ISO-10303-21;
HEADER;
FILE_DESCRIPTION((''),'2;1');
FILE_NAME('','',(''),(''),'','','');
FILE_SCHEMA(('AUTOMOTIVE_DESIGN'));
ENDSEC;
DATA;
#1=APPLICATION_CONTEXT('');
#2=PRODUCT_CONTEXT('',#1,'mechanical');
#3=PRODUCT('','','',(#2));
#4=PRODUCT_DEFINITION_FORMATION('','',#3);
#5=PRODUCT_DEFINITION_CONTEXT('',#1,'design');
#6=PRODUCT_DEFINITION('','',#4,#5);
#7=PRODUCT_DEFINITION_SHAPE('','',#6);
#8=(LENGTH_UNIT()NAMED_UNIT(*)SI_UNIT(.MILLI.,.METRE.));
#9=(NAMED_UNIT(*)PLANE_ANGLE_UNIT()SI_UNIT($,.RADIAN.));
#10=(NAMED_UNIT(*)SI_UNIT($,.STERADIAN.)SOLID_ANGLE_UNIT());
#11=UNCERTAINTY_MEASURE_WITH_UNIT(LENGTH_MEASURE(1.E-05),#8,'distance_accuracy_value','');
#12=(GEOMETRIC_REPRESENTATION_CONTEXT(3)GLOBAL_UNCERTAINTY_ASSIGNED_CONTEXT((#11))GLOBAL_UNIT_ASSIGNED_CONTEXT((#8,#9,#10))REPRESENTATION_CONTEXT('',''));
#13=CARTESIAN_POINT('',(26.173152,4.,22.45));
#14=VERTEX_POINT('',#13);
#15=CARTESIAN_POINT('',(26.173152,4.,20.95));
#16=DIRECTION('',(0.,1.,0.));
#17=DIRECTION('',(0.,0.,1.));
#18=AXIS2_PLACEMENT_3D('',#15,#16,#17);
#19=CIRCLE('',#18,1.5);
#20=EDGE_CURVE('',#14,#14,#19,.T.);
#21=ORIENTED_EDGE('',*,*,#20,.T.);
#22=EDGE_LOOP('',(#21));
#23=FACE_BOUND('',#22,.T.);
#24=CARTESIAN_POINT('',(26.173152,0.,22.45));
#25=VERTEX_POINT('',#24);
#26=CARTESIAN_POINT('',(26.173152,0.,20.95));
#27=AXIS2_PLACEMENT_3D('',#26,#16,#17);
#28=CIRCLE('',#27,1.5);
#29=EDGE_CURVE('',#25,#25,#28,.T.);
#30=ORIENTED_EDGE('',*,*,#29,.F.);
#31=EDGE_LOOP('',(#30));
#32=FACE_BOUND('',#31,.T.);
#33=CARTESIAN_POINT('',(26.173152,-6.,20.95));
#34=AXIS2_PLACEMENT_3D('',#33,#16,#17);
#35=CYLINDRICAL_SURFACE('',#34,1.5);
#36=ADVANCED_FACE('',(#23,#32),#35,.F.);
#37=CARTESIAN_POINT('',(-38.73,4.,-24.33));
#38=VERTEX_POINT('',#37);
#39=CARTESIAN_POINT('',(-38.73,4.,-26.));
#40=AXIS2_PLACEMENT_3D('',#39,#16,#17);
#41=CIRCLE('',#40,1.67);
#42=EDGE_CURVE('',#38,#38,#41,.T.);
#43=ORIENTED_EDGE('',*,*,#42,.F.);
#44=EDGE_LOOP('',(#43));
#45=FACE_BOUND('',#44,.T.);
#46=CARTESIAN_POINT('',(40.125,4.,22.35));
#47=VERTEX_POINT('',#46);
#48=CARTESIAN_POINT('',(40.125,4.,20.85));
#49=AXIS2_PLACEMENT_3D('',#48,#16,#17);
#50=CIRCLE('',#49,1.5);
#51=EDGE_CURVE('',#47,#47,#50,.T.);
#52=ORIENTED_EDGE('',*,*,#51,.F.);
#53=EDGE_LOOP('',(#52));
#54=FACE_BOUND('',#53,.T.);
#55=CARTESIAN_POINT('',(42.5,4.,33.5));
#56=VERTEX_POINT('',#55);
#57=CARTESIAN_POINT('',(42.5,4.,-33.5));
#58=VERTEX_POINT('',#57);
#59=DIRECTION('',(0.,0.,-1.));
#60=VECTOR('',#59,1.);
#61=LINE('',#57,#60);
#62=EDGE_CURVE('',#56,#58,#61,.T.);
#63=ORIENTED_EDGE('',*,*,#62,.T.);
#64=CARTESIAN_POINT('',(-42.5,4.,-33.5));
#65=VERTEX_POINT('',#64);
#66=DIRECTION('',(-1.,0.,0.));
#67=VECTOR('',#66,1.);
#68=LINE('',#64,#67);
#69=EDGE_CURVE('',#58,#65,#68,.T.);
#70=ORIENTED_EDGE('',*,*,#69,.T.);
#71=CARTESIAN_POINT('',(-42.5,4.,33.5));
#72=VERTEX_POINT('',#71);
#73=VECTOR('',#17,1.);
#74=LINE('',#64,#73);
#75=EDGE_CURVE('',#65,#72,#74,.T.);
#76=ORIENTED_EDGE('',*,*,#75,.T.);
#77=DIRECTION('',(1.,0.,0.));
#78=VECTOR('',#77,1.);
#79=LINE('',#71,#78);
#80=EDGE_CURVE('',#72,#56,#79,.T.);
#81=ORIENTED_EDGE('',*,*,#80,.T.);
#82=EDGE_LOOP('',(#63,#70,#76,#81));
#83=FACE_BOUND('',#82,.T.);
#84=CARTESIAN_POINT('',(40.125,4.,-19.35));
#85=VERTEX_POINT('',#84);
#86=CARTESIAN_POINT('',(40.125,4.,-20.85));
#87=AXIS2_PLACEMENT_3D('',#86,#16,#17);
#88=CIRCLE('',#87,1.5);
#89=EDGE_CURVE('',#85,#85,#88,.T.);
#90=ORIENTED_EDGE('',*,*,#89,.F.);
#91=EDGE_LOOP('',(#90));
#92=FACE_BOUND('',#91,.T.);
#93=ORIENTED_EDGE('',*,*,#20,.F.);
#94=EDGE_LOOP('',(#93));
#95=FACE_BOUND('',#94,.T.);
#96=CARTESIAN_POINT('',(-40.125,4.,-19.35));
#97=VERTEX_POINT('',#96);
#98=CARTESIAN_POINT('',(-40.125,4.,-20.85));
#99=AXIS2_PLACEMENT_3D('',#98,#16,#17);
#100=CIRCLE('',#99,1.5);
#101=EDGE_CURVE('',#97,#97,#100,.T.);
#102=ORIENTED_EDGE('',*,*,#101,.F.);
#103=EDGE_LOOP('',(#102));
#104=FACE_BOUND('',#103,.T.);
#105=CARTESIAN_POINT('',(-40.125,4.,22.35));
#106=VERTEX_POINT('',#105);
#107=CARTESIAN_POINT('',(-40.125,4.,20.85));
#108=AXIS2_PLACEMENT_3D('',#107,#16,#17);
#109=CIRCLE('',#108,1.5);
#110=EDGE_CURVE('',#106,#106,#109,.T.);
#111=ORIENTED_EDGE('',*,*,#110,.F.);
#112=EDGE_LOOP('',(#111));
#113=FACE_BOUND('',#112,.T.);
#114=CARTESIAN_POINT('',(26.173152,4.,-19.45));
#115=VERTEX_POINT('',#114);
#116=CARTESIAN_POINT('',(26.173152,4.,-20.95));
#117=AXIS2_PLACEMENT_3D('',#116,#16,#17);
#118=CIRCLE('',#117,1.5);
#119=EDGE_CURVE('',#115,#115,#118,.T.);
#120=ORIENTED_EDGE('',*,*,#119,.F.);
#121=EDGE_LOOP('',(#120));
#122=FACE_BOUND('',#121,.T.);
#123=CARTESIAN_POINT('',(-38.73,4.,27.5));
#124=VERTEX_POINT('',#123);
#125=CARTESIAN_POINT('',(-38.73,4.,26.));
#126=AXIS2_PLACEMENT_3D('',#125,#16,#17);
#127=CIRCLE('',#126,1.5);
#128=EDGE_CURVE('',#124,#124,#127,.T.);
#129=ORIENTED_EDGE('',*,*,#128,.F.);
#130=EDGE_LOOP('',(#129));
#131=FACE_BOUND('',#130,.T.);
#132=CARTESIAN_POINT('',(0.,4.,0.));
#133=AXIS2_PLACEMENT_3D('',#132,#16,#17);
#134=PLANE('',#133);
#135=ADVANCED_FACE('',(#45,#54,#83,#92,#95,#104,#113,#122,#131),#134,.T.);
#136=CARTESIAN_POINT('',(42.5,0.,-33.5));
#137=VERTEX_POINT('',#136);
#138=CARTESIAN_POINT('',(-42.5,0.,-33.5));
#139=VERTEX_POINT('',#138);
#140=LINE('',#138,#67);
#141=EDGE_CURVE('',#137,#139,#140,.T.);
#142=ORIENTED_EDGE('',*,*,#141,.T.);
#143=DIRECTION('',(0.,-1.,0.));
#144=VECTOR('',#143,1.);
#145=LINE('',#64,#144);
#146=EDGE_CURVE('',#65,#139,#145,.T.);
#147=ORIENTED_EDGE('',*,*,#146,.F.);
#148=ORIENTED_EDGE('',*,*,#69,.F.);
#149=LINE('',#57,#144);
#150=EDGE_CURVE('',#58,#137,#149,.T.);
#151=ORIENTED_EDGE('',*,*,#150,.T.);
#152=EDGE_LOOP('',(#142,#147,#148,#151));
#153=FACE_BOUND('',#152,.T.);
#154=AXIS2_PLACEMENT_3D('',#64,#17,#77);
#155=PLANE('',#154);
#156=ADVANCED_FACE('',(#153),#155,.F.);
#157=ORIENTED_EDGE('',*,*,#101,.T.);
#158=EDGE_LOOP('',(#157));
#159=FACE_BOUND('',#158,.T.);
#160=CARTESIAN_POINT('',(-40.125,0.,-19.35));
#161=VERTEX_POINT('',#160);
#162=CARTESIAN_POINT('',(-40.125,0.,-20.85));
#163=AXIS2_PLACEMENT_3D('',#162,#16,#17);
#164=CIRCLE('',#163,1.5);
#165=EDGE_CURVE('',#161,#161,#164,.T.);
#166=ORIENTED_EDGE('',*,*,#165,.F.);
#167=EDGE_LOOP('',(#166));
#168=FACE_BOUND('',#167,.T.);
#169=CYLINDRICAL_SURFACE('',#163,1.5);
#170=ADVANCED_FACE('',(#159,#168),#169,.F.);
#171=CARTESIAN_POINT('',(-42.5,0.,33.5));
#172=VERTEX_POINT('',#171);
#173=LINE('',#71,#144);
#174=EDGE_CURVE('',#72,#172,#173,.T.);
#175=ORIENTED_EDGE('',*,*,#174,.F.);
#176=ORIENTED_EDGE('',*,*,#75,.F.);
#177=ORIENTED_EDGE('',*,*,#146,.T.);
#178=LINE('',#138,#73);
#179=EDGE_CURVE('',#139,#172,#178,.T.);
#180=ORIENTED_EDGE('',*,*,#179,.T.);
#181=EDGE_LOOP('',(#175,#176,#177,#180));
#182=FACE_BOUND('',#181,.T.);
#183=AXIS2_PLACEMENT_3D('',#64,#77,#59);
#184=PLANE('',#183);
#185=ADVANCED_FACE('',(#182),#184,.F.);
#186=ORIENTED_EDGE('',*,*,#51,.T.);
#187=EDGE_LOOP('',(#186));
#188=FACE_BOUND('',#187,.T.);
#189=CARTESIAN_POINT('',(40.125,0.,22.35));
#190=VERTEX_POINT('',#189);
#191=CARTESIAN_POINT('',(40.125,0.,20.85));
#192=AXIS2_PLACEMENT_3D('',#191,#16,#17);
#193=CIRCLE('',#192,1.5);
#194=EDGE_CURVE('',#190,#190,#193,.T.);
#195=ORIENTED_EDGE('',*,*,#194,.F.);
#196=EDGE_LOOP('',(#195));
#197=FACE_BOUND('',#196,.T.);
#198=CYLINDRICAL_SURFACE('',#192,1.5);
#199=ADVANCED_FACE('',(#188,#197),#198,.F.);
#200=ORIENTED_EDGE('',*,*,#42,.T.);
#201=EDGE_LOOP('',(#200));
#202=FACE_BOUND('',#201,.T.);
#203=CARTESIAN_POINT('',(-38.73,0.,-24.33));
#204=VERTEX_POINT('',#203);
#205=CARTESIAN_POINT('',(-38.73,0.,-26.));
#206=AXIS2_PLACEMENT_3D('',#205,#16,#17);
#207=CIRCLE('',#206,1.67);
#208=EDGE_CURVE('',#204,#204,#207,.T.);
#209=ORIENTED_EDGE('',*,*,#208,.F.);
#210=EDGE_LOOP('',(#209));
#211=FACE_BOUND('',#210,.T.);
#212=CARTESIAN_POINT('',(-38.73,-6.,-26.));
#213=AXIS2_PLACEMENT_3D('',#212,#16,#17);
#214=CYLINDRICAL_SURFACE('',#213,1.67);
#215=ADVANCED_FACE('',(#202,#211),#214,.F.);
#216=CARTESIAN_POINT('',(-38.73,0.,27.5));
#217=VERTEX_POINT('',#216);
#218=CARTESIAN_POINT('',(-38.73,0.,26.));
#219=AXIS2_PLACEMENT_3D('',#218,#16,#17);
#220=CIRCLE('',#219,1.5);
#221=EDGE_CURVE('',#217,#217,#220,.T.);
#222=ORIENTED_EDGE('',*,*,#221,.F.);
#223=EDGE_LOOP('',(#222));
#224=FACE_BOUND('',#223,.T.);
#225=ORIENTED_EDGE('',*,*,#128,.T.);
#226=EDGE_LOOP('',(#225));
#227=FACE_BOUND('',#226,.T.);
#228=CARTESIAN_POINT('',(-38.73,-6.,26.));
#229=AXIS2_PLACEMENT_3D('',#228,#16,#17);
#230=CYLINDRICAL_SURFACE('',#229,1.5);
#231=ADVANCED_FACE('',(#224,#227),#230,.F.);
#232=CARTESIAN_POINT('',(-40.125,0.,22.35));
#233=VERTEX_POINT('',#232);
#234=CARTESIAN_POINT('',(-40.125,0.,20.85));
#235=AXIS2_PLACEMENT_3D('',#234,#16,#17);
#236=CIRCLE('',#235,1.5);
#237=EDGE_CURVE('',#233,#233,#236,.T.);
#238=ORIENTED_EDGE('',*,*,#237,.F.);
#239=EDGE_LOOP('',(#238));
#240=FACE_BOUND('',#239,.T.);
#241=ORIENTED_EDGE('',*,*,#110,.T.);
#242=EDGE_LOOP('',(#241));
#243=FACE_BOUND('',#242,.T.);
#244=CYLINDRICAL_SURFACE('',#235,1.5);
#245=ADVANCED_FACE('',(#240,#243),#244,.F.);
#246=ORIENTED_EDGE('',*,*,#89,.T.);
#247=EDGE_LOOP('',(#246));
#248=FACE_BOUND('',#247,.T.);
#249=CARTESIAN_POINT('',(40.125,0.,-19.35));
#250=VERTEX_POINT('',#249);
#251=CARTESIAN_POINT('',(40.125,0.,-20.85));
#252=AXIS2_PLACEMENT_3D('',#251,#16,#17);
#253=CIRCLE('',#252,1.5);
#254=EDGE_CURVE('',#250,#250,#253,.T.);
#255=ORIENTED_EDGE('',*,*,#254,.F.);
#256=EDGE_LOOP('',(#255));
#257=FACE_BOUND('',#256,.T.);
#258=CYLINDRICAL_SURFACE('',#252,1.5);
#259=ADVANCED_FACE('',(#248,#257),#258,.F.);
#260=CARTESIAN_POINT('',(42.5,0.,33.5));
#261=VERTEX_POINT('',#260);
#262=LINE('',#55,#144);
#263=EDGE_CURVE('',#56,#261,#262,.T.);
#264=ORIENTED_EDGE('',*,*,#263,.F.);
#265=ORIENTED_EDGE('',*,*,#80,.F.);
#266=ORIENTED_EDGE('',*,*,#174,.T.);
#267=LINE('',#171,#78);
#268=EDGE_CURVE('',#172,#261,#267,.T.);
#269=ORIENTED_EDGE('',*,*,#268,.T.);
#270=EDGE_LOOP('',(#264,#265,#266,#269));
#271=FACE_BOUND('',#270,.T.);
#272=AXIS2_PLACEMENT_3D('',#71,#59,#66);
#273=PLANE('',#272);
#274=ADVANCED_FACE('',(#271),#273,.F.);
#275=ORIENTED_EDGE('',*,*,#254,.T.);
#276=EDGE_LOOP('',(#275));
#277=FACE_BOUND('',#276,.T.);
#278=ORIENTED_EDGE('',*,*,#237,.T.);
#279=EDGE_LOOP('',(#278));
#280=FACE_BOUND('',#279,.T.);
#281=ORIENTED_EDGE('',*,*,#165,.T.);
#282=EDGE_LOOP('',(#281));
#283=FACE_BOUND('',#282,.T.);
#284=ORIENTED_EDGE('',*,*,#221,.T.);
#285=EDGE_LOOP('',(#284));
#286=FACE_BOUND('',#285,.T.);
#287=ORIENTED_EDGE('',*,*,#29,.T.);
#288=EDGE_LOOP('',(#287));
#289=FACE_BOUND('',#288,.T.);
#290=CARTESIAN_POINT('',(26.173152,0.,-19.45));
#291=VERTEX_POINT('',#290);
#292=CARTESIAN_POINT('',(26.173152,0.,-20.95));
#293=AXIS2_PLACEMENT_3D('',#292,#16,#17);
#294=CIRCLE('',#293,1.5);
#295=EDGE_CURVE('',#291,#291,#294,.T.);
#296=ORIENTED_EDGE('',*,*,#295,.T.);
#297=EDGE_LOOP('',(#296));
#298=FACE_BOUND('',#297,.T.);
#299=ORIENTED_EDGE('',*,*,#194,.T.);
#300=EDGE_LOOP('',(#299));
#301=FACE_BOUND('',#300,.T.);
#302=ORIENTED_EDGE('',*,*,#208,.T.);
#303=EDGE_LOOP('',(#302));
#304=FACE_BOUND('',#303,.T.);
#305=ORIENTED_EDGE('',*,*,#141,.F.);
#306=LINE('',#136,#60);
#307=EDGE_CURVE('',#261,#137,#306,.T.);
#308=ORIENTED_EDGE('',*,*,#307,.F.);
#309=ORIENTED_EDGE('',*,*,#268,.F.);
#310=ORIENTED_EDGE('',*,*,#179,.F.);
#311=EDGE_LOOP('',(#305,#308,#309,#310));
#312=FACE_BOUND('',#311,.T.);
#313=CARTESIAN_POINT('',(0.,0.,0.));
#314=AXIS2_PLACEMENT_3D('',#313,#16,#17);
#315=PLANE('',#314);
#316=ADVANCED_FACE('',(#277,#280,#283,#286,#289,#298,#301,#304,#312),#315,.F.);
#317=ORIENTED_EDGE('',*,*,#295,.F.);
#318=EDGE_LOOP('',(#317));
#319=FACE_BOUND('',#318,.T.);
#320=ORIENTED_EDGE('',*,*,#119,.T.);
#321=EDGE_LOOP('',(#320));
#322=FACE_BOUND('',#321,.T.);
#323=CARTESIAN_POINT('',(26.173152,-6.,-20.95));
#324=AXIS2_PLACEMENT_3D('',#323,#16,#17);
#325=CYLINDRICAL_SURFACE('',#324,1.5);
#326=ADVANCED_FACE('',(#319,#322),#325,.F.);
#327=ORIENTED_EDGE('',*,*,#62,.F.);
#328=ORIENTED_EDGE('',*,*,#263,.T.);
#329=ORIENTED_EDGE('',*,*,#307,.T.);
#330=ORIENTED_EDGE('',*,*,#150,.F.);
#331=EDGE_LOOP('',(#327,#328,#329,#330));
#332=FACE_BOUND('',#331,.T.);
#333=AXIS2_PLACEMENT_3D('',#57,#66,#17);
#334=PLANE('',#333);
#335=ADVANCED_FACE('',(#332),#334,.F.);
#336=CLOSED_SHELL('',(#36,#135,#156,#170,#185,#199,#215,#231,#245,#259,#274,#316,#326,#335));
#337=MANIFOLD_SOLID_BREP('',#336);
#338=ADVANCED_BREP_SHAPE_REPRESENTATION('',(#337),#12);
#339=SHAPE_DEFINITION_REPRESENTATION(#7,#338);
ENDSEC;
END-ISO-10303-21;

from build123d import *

# Parameters (mm, degrees)
SKETCH1_W           = 85
SKETCH1_H           = 67
BOSS_EXTRUDE1_DEPTH = 4
SKETCH2_R           = 1.5
CUT_EXTRUDE1_DEPTH  = 4
SKETCH3_R           = 1.5
SKETCH3_R_2         = 1.67
CUT_EXTRUDE2_DEPTH  = 10


with BuildPart() as part:
    # Sketch1 → Boss-Extrude1 (new body)
    with BuildSketch(Plane(origin=(0, 0, 0), x_dir=(1, 0, 0), z_dir=(0, 1, 0))):
        Rectangle(SKETCH1_W, SKETCH1_H)
    extrude(amount=BOSS_EXTRUDE1_DEPTH)

    # Sketch2 → Cut-Extrude1 (cut)
    with BuildSketch(Plane(origin=(0, 4, 0), x_dir=(1, 0, 0), z_dir=(0, 1, 0))):
        with Locations(Location((-40.125, 20.85, 0), (0, 0, 270))):
            Circle(SKETCH2_R)
        with Locations(Location((-40.125, -20.85, 0), (0, 0, 270))):
            Circle(SKETCH2_R)
        with Locations(Location((40.125, 20.85, 0), (0, 0, 270))):
            Circle(SKETCH2_R)
        with Locations(Location((40.125, -20.85, 0), (0, 0, 270))):
            Circle(SKETCH2_R)
    extrude(amount=-CUT_EXTRUDE1_DEPTH, mode=Mode.SUBTRACT)

    # Sketch3 → Cut-Extrude2 (cut)
    with BuildSketch(Plane(origin=(0, 4, 0), x_dir=(1, 0, 0), z_dir=(0, 1, 0))):
        with Locations(Location((26.173152267, 20.95, 0), (0, 0, 270))):
            Circle(SKETCH3_R)
        with Locations(Location((26.173152267, -20.95, 0), (0, 0, 270))):
            Circle(SKETCH3_R)
        with Locations(Location((-38.73, 26, 0), (0, 0, 270))):
            Circle(SKETCH3_R_2)
        with Locations(Location((-38.73, -26, 0), (0, 0, 270))):
            Circle(SKETCH3_R)
    extrude(amount=-CUT_EXTRUDE2_DEPTH, mode=Mode.SUBTRACT)


solid = part.part
